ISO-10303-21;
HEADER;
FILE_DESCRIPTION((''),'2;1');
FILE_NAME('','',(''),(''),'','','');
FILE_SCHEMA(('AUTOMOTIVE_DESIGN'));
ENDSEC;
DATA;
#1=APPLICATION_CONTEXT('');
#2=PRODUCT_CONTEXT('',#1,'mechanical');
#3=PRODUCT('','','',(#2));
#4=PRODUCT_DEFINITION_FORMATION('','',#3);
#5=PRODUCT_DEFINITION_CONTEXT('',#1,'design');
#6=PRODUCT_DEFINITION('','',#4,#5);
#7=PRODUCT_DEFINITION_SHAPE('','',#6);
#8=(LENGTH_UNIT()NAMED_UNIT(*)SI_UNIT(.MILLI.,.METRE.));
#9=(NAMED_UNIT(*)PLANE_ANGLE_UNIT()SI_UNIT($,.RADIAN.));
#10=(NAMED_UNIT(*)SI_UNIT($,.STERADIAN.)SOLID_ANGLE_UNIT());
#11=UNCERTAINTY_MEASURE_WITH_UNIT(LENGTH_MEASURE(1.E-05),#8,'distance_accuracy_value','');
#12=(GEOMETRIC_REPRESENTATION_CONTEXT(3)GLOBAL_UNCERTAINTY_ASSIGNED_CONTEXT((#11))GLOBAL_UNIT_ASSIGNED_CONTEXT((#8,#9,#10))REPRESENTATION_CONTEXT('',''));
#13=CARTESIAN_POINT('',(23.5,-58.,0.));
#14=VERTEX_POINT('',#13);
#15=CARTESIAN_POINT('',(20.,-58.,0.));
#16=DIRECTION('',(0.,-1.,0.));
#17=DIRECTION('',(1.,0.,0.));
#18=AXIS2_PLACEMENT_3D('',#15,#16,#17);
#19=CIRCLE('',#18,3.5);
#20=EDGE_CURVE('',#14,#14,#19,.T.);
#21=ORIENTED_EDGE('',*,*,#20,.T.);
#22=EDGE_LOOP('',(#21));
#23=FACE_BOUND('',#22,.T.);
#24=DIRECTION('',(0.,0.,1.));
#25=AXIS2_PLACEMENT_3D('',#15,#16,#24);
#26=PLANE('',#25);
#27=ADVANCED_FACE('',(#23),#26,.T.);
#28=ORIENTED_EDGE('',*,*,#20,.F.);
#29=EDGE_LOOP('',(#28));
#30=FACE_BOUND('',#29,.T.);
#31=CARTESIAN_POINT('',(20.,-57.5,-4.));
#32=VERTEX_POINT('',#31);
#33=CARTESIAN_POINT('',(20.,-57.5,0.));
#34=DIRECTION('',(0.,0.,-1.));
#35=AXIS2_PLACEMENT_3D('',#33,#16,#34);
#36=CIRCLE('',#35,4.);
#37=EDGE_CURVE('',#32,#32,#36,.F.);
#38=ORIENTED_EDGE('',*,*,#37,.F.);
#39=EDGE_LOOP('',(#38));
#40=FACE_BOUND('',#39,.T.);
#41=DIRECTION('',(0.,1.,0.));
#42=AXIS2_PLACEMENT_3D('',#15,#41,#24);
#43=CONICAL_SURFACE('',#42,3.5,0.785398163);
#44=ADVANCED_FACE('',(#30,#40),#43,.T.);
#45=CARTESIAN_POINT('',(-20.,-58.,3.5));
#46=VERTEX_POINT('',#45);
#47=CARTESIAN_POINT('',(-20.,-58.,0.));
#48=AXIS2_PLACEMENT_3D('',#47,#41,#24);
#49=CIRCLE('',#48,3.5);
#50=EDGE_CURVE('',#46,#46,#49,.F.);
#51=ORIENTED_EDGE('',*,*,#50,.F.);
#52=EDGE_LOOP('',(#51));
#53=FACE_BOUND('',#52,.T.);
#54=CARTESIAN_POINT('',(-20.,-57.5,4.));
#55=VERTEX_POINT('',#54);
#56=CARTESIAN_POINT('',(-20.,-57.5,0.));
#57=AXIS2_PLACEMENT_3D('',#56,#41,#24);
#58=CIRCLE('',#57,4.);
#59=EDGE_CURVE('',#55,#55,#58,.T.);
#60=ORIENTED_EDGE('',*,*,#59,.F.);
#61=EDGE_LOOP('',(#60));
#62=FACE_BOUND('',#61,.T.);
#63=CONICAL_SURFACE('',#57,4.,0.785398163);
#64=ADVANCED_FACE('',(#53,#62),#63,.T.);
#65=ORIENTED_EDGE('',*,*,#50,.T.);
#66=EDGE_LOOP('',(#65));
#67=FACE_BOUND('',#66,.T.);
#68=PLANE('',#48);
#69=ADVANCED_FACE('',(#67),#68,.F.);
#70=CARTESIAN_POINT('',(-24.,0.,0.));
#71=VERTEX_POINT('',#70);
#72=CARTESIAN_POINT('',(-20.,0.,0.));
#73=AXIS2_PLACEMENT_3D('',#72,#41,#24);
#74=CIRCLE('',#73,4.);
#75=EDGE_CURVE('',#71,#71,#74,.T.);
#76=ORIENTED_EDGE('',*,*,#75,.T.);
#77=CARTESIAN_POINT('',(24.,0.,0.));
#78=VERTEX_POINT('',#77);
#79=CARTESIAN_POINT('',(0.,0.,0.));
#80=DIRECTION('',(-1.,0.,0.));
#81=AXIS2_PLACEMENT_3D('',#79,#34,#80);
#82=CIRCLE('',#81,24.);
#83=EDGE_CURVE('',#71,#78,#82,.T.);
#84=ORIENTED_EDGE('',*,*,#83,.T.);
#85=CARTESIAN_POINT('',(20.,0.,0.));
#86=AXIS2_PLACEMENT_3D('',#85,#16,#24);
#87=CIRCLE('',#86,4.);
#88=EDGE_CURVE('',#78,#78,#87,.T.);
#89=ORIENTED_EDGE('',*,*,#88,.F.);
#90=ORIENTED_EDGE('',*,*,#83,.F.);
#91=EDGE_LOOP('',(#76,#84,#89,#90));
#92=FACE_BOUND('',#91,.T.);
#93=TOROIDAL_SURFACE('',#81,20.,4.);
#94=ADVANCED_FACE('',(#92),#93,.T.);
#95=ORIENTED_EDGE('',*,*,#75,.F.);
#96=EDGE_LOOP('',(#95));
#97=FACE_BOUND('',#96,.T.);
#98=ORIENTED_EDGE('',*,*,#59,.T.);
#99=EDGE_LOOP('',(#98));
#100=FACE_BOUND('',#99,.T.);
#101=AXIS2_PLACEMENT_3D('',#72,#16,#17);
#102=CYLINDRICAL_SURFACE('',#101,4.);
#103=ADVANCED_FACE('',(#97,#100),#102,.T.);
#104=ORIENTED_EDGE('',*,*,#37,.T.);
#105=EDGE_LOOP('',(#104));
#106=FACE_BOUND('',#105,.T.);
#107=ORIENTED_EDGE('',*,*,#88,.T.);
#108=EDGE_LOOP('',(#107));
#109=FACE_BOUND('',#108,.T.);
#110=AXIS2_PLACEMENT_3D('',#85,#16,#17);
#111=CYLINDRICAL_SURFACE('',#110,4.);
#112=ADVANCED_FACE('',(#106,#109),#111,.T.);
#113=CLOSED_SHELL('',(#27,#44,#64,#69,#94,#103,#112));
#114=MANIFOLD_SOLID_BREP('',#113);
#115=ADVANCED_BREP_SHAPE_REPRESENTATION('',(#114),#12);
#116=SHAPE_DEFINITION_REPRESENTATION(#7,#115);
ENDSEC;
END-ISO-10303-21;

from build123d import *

# Parameters (mm, degrees)
SKETCH2_R     = 4
CHAMFER1_SIZE = 0.5


with BuildPart() as part:
    # Sweep1: sweep along a path in Sketch1
    with BuildLine(Plane.XY) as sweep1_path:
        Line((-20, -58), (-20, 0))
        ThreePointArc((-20, 0), (0, 20), (20, 0))
        Line((20, 0), (20, -58))
    # Sketch2 → Sweep1 (sweep)
    with BuildSketch(Plane(origin=(0, -58, 0), x_dir=(1, 0, 0), z_dir=(0, 1, 0))):
        with Locations((-20, 0)):
            Circle(SKETCH2_R)
    sweep(path=sweep1_path.line)

    # Chamfer1
    chamfer1_edges = [part.edges().sort_by_distance(p)[0] for p in [
        (-24, -58, 0),
        (24, -58, 0),
    ]]
    chamfer(chamfer1_edges, length=CHAMFER1_SIZE)


solid = part.part
